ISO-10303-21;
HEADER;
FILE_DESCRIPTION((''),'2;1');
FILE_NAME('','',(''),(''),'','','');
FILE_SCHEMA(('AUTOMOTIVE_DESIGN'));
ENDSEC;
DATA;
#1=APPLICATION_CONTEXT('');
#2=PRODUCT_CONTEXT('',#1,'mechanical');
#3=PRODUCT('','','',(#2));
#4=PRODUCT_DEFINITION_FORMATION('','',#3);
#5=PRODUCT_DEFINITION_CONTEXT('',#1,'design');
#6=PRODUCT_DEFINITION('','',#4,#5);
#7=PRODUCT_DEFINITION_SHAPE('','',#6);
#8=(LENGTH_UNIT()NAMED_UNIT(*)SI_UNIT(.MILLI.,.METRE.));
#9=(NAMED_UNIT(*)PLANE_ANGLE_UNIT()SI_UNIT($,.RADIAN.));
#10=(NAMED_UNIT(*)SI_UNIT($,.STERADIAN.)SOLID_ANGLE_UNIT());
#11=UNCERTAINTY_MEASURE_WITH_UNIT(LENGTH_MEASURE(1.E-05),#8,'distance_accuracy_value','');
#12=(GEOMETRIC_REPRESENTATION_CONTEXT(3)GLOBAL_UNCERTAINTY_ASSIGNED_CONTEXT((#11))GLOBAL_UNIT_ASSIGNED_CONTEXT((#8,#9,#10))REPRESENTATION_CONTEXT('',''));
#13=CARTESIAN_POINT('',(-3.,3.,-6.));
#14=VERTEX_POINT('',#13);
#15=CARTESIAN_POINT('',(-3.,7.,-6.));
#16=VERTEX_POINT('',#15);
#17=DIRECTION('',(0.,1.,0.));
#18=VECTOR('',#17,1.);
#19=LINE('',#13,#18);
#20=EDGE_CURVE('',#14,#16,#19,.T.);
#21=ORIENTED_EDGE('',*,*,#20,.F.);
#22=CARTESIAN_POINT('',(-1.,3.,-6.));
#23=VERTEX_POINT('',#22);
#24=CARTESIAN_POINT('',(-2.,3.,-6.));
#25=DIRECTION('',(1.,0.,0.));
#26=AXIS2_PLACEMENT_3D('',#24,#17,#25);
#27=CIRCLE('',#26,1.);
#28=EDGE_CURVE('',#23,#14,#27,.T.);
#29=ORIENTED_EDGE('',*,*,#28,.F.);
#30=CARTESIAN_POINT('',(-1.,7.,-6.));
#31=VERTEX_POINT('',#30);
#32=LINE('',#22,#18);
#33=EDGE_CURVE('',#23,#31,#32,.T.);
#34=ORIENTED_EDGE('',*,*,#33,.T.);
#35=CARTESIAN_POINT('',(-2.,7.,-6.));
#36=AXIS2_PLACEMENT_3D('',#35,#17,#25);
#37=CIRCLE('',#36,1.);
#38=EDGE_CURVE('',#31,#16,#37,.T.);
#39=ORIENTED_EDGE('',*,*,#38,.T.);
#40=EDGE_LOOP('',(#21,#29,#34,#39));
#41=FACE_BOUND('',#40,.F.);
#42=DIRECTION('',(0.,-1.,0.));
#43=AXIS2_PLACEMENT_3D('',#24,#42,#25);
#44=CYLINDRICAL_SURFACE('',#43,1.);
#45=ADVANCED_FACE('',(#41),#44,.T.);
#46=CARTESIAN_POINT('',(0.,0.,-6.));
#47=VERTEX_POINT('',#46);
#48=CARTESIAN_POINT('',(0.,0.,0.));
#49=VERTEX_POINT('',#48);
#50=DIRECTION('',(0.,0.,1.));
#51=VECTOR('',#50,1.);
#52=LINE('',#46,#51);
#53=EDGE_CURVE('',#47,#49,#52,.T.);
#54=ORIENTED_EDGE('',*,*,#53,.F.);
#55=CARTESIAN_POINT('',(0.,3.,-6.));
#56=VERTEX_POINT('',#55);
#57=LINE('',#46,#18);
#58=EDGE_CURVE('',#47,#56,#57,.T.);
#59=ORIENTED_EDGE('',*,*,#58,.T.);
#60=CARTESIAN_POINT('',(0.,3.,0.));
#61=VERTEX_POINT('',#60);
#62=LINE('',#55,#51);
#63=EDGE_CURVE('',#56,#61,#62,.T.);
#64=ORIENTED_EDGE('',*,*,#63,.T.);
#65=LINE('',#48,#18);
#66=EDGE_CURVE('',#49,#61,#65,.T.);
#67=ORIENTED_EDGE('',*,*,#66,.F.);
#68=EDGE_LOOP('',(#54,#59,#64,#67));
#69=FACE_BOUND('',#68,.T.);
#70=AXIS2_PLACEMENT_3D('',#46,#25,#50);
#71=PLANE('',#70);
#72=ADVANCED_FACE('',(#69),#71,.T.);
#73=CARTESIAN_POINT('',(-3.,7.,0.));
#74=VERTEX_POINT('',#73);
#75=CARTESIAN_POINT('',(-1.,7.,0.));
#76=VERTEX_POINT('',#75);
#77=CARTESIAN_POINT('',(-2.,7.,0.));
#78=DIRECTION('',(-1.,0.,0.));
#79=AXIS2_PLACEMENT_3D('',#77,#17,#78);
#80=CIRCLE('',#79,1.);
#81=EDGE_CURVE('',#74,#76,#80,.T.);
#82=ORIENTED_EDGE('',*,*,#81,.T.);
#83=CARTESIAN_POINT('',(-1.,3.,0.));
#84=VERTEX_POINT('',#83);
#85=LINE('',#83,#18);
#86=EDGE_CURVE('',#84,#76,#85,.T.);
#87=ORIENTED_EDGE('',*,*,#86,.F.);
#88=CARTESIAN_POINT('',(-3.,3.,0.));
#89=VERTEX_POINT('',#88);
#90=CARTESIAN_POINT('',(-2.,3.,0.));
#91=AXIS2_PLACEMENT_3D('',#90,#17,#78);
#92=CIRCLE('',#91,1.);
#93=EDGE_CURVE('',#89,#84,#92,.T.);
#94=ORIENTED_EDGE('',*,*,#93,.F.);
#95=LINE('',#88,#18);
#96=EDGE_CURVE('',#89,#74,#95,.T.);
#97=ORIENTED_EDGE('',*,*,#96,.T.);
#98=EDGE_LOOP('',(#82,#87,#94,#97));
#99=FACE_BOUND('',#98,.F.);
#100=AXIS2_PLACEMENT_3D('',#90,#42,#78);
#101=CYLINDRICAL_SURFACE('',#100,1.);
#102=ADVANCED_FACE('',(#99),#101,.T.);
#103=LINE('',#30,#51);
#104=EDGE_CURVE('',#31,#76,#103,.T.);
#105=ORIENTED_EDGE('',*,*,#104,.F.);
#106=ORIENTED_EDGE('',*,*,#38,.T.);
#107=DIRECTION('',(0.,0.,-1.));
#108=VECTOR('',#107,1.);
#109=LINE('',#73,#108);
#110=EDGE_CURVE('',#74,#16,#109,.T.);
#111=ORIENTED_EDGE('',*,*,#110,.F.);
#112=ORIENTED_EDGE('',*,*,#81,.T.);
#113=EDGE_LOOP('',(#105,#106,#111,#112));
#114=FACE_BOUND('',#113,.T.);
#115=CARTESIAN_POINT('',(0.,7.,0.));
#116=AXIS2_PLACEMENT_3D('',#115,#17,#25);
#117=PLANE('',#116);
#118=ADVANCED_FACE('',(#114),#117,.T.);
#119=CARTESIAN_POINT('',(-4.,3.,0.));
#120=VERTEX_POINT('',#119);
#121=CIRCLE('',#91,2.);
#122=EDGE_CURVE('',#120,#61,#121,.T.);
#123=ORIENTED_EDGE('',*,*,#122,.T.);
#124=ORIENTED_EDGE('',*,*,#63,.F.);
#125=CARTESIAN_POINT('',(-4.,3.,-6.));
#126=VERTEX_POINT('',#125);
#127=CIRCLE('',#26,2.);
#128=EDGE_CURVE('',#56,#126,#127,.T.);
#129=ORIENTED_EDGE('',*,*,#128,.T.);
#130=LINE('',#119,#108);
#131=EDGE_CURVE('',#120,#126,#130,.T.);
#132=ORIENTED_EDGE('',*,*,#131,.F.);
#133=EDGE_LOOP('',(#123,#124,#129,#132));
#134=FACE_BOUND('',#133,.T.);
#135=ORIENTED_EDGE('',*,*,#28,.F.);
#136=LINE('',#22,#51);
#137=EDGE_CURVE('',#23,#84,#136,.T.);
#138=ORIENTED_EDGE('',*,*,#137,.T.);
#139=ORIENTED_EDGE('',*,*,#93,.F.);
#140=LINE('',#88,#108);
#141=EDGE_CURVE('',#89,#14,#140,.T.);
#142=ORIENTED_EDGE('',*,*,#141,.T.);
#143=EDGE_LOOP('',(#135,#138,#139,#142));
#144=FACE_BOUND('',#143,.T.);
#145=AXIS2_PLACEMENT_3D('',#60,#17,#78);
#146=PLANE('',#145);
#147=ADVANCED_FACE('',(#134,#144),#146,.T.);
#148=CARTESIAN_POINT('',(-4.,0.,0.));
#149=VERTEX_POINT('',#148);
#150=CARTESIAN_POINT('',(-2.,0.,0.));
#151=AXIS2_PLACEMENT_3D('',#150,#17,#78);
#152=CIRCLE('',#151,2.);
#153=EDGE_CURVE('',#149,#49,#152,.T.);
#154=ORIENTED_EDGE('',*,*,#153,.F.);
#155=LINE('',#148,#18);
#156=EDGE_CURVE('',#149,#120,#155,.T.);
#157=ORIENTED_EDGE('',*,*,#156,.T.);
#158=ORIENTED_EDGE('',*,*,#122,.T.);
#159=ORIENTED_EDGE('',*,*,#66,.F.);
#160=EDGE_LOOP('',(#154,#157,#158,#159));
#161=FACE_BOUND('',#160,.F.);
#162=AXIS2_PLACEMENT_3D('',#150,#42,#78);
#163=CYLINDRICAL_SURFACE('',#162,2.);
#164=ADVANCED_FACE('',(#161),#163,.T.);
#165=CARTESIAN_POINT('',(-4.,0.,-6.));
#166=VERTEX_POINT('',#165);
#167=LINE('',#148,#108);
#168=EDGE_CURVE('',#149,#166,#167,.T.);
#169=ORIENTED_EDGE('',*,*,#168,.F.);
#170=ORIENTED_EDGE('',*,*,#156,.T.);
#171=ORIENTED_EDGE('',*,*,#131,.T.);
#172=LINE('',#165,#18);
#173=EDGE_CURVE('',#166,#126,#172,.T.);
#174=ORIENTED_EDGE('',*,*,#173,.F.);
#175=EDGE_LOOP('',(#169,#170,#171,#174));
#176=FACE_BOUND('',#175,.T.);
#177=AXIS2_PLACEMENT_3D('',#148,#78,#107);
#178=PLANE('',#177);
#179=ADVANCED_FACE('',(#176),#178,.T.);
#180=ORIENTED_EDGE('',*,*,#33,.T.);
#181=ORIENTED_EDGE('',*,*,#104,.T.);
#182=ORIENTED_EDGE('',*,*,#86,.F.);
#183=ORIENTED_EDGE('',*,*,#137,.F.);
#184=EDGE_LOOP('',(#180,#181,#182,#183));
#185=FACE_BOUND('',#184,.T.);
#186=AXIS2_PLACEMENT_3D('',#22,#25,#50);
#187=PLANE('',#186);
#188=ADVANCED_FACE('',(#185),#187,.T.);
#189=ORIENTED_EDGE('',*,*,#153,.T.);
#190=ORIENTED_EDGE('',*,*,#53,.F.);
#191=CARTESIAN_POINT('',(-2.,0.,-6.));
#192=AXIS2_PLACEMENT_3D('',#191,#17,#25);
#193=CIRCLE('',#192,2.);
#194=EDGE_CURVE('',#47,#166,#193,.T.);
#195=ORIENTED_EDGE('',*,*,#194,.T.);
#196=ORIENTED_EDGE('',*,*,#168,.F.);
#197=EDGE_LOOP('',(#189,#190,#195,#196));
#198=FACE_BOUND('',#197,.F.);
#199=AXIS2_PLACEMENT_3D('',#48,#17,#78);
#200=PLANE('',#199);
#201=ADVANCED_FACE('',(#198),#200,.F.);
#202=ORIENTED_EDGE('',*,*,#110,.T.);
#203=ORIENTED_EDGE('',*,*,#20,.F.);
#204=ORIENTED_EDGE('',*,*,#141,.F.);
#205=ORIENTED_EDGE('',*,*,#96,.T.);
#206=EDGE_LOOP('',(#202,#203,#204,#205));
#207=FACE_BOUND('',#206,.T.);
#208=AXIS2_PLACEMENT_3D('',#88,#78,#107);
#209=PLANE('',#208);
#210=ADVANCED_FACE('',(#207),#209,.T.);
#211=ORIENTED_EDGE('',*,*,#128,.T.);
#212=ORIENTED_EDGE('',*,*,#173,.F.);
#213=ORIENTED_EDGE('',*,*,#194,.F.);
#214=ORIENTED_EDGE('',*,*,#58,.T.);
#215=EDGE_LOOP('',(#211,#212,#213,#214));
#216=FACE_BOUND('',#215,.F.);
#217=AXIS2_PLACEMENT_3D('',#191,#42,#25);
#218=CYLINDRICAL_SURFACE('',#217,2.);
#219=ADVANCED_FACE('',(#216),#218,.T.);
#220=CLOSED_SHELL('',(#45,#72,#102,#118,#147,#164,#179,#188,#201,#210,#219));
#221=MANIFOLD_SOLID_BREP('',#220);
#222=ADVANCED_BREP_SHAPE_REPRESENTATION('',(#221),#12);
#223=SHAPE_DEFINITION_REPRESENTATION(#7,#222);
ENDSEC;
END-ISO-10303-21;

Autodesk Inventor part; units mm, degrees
ref_plane "YZ Plane" through (0, 0, 0) normal (1, 0, 0) x (0, 1, 0)
ref_plane "XZ Plane" through (0, 0, 0) normal (0, 1, 0) x (-1, 0, 0)
ref_plane "XY Plane" through (0, 0, 0) normal (0, 0, 1) x (1, 0, 0)
sketch "Skizze1" plane through (0, 0, 0) normal (0, 1, 0) x (-1, 0, 0)
  line L0 (4, 0) -> (4, -6)
  line L1 (0, -6) -> (0, 0)
  arc A0 (4, 0) -> (0, 0) centre (2, 0) ccw
  arc A1 (0, -6) -> (4, -6) centre (2, -6) ccw
  dimension "d0" = 4
  dimension "d1" = 6
extrude "Extrusion1" add sketch "Skizze1" along normal blind 3
sketch "Skizze2" plane through (0, 3, 0) normal (0, 1, 0) x (1, 0, 0)
  line L0 (-3, 0) -> (-3, 6)
  line L1 (-1, 6) -> (-1, 0)
  arc A0 (-3, 0) -> (-1, 0) centre (-2, 0) ccw
  arc A1 (-1, 6) -> (-3, 6) centre (-2, 6) ccw
  point P0 (0, 0)
  dimension "d4" = 2
  dimension "d5" = 6
  dimension "d6" = 1
  dimension "d7" = 0
extrude "Extrusion2" add sketch "Skizze2" along normal blind 4
properties part number "startselectButton"
